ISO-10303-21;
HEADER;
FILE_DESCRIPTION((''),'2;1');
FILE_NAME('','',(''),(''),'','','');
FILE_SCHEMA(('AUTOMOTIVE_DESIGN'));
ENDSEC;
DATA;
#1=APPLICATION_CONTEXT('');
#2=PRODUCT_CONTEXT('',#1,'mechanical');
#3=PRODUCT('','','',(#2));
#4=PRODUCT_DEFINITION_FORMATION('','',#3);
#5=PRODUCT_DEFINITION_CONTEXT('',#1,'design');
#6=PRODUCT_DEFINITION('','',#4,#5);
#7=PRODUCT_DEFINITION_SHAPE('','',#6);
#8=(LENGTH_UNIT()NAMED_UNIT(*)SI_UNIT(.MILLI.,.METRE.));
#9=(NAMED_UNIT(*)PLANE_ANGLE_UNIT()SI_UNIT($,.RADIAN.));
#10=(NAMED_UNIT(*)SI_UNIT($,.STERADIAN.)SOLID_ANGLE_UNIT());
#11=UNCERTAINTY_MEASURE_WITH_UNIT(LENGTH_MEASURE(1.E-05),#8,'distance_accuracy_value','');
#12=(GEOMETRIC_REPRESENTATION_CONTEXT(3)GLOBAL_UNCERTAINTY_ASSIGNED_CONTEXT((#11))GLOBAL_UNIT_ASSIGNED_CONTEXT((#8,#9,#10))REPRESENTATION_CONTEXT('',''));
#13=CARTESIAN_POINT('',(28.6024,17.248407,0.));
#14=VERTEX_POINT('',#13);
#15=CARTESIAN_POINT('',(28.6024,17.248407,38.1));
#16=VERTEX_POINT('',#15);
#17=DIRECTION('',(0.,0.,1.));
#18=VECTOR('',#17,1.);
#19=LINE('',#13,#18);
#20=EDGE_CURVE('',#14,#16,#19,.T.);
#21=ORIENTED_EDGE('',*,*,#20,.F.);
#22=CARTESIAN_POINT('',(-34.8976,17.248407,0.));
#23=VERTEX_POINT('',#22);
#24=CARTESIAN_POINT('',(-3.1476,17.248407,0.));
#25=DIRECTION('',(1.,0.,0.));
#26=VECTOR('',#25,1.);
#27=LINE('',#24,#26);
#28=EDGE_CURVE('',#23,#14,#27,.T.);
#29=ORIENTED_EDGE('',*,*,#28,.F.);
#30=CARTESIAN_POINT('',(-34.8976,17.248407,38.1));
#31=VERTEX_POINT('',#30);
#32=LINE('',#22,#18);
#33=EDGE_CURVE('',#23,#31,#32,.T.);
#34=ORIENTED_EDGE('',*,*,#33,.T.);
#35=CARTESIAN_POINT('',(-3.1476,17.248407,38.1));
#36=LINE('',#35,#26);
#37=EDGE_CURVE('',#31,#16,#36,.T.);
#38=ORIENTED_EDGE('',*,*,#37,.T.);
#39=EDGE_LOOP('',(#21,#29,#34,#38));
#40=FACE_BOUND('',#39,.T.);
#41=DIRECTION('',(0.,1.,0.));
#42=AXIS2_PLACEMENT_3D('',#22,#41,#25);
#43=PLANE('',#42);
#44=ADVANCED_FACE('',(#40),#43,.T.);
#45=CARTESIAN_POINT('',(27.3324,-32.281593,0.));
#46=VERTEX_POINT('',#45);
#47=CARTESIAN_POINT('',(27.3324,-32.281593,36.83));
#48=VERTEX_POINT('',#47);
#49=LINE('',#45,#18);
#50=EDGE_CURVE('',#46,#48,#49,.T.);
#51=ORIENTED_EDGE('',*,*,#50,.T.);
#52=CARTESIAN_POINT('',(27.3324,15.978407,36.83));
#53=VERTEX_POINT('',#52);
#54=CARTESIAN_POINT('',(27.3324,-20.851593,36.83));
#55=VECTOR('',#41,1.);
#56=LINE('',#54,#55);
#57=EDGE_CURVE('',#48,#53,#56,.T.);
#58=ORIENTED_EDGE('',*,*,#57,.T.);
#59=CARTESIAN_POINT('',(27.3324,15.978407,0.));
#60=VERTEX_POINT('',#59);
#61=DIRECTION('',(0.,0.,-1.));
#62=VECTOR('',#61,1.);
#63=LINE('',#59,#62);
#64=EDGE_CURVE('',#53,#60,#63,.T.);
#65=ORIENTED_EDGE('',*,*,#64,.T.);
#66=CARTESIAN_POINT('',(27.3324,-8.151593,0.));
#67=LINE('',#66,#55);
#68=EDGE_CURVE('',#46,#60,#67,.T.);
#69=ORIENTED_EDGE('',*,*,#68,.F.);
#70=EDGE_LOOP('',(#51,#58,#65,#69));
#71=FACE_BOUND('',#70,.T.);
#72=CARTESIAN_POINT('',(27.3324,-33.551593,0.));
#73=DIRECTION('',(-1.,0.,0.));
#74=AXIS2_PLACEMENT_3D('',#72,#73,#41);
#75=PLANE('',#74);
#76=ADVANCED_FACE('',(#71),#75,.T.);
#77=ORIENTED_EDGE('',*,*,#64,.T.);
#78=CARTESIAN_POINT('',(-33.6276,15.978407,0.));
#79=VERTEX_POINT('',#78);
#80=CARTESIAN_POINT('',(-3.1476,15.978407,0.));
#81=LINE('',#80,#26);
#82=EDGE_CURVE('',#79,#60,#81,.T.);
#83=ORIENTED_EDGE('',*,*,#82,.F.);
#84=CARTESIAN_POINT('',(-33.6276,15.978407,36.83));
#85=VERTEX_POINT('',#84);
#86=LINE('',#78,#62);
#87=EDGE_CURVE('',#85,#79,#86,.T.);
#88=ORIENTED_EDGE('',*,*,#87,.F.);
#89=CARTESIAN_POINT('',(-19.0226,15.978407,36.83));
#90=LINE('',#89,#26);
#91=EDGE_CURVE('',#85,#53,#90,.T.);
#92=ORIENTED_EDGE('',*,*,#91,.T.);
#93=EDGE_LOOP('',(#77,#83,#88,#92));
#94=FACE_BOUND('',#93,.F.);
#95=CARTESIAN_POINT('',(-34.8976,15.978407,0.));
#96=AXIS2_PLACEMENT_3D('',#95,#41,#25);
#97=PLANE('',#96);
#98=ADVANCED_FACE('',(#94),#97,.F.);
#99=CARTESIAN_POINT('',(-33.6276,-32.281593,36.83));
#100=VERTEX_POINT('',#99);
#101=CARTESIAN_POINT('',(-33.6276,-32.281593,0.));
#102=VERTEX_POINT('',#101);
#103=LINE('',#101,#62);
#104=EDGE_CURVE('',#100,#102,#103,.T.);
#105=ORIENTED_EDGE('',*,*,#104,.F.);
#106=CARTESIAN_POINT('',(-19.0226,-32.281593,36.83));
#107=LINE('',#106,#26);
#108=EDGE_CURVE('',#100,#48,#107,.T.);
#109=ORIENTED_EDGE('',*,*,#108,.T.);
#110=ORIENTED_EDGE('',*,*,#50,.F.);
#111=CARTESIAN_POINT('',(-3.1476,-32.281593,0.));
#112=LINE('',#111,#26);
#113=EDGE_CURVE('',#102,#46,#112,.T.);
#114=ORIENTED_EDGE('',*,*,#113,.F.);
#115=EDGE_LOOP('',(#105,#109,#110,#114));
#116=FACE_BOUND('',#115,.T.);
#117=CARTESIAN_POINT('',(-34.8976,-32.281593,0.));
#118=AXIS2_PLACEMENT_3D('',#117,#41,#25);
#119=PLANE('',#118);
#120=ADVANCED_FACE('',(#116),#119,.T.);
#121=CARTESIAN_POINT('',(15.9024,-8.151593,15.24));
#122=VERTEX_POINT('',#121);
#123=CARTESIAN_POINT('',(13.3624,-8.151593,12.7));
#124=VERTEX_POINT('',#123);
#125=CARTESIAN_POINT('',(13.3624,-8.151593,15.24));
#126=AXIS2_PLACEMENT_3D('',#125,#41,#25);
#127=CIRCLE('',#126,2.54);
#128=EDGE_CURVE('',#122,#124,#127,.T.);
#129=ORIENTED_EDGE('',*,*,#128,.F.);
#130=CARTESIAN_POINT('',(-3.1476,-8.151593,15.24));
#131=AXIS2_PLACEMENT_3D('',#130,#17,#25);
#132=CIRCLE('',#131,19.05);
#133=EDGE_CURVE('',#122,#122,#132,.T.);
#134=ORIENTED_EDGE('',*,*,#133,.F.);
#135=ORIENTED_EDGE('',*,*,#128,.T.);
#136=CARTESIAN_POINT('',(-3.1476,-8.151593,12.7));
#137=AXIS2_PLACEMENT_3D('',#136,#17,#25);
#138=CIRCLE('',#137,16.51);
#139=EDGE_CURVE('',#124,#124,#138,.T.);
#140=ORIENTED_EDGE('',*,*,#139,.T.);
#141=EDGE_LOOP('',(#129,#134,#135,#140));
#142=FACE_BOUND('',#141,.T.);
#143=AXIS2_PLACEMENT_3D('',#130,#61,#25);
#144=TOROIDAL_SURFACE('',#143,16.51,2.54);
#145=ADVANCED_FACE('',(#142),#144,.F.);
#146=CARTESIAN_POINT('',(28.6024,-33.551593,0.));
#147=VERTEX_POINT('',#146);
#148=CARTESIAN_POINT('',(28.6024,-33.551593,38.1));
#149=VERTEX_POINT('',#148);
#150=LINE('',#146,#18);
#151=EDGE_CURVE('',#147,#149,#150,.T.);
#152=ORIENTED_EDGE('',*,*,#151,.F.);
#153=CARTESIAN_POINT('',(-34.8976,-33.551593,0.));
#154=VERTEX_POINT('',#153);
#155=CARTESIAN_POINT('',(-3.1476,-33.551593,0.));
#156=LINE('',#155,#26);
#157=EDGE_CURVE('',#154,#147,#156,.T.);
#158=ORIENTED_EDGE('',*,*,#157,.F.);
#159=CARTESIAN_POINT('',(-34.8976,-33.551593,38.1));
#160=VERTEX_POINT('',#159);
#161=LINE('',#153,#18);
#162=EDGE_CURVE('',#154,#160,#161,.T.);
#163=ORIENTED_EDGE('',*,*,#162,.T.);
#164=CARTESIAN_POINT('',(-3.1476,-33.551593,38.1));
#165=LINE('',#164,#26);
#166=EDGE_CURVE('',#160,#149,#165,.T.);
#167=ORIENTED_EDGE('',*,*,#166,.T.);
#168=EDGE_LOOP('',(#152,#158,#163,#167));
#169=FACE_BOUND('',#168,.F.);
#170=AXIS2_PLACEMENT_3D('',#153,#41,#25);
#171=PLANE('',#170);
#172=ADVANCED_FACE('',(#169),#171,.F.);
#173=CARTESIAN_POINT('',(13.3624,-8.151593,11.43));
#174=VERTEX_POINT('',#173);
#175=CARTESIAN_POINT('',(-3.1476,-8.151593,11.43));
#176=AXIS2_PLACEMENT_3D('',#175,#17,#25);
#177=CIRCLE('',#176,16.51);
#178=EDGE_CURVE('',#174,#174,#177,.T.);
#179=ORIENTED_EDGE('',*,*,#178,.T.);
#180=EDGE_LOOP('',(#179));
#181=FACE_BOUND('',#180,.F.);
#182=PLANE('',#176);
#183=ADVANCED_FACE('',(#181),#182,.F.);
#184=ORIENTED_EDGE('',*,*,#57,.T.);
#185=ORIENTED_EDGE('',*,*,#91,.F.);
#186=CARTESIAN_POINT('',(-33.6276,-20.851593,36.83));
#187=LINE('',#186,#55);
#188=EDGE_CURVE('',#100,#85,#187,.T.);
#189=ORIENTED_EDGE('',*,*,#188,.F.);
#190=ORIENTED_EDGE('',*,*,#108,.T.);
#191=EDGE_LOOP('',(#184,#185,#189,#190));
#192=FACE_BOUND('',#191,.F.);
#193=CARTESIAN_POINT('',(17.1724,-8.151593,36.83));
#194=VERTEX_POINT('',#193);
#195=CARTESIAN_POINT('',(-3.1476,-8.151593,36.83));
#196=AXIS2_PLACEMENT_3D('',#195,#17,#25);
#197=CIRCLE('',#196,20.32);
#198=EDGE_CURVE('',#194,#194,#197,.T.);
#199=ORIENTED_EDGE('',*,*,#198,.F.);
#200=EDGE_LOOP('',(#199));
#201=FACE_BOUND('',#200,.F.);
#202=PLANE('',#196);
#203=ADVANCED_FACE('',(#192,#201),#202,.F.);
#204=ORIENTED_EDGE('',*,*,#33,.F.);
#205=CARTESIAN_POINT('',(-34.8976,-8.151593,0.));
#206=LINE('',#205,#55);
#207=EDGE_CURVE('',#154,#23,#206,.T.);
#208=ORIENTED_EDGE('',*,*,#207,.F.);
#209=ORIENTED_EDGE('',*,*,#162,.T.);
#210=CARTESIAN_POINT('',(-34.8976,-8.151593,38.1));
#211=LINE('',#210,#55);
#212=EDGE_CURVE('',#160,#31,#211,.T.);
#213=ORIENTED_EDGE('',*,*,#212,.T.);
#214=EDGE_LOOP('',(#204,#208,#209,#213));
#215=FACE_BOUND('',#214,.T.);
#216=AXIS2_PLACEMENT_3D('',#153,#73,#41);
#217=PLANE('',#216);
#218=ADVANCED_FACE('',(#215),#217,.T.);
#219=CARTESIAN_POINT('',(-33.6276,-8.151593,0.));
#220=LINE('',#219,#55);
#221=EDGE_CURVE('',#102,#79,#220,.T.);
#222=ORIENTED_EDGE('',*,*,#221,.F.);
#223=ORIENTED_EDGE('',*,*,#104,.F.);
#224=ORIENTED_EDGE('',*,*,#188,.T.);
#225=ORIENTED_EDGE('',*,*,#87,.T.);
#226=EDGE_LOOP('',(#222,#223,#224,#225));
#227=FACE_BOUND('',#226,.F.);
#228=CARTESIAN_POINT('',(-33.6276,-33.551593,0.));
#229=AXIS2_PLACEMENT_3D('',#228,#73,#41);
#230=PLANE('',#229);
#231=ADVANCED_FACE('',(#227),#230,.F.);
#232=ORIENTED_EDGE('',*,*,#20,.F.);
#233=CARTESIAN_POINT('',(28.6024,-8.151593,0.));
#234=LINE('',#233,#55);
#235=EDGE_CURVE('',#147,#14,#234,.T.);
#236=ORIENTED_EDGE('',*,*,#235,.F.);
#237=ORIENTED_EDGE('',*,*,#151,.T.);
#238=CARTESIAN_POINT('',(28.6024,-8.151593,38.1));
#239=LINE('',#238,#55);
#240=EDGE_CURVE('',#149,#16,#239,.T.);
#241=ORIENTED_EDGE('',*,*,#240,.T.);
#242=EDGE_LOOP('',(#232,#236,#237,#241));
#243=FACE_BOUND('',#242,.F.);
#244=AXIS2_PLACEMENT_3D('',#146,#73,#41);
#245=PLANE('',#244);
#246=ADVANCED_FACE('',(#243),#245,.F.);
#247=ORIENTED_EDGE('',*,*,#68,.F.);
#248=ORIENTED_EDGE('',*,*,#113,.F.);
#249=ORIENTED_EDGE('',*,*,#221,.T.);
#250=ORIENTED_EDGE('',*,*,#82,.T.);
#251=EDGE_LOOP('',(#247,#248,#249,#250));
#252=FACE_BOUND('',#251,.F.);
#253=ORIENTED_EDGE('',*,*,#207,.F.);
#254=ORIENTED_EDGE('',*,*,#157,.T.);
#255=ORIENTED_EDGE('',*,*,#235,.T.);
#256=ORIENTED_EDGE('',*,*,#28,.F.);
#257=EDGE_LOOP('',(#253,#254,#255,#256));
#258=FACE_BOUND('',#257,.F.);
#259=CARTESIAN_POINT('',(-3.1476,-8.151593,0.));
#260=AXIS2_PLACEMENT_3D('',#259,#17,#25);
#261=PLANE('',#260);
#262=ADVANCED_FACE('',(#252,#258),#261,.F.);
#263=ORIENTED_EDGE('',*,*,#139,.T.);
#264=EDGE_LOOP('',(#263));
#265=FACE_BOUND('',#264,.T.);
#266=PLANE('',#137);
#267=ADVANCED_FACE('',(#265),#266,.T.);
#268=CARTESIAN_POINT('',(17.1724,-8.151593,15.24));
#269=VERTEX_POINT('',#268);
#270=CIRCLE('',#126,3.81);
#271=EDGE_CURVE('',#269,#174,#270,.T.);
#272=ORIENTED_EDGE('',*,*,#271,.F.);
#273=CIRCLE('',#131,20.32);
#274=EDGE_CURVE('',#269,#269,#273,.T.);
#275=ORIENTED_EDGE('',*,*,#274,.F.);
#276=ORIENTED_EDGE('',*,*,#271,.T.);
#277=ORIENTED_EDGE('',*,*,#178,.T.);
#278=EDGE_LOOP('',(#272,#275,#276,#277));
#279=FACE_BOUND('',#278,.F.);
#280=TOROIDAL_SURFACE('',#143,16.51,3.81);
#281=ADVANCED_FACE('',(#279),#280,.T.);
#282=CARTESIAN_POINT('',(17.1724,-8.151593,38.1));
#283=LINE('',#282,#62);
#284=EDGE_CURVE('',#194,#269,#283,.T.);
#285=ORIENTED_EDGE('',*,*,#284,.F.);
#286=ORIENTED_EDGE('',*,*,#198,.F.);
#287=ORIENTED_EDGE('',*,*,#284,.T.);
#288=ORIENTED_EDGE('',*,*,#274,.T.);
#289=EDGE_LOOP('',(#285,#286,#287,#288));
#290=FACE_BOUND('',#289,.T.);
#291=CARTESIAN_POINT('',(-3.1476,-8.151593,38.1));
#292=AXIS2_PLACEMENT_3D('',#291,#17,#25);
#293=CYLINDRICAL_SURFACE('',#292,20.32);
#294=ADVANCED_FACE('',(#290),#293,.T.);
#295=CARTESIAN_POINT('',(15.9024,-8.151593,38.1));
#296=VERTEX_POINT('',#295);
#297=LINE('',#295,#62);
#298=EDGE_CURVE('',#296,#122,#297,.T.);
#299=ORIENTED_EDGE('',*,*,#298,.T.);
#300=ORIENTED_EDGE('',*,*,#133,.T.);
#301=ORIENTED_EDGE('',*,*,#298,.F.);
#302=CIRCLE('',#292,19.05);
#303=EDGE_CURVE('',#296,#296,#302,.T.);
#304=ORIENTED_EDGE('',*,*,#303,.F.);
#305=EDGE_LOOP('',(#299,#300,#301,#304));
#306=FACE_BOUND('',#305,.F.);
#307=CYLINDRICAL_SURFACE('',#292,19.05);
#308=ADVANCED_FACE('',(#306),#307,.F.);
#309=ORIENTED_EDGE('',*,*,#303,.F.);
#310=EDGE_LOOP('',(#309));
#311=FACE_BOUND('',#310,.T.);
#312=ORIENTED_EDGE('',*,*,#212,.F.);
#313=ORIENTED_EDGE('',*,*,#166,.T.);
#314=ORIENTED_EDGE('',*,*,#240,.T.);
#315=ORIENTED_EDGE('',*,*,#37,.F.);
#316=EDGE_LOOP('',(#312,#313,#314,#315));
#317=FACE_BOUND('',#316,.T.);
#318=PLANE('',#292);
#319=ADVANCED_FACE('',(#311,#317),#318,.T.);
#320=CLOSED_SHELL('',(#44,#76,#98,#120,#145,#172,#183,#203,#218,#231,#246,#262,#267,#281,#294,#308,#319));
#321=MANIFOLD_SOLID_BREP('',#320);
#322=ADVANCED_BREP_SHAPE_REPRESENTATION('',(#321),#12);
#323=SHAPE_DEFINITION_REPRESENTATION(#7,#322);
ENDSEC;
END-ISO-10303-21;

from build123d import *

# Parameters (mm, degrees)
F0_W     = 63.5
F0_H     = 50.8
F1_DEPTH = 38.1
F2_R     = 19.05
F3_DEPTH = 25.4
F4_R     = 2.54
F5_T     = -1.27


with BuildPart() as f1:
    # F0 (on Top) → F1 (new body)
    with BuildSketch(Plane.XY):
        with Locations((-3.1476, -8.151593)):
            Rectangle(F0_W, F0_H)
    extrude(amount=F1_DEPTH)

    # F2 (on face) → F3 (cut)
    with BuildSketch(Plane.XY.offset(38.1)):
        with Locations((-3.1476, -8.151593)):
            Circle(F2_R)
    extrude(amount=-F3_DEPTH, mode=Mode.SUBTRACT)

    # F4
    f4_edges = [f1.edges().sort_by_distance(p)[0] for p in [
        (-22.1976, -8.151593, 12.7),
    ]]
    fillet(f4_edges, radius=F4_R)

    # F5
    f5_openings = [f1.faces().sort_by_distance(p)[0] for p in [
        (-3.1476, -8.151593, 0),
    ]]
    offset(amount=F5_T, openings=f5_openings)


solid = f1.part
